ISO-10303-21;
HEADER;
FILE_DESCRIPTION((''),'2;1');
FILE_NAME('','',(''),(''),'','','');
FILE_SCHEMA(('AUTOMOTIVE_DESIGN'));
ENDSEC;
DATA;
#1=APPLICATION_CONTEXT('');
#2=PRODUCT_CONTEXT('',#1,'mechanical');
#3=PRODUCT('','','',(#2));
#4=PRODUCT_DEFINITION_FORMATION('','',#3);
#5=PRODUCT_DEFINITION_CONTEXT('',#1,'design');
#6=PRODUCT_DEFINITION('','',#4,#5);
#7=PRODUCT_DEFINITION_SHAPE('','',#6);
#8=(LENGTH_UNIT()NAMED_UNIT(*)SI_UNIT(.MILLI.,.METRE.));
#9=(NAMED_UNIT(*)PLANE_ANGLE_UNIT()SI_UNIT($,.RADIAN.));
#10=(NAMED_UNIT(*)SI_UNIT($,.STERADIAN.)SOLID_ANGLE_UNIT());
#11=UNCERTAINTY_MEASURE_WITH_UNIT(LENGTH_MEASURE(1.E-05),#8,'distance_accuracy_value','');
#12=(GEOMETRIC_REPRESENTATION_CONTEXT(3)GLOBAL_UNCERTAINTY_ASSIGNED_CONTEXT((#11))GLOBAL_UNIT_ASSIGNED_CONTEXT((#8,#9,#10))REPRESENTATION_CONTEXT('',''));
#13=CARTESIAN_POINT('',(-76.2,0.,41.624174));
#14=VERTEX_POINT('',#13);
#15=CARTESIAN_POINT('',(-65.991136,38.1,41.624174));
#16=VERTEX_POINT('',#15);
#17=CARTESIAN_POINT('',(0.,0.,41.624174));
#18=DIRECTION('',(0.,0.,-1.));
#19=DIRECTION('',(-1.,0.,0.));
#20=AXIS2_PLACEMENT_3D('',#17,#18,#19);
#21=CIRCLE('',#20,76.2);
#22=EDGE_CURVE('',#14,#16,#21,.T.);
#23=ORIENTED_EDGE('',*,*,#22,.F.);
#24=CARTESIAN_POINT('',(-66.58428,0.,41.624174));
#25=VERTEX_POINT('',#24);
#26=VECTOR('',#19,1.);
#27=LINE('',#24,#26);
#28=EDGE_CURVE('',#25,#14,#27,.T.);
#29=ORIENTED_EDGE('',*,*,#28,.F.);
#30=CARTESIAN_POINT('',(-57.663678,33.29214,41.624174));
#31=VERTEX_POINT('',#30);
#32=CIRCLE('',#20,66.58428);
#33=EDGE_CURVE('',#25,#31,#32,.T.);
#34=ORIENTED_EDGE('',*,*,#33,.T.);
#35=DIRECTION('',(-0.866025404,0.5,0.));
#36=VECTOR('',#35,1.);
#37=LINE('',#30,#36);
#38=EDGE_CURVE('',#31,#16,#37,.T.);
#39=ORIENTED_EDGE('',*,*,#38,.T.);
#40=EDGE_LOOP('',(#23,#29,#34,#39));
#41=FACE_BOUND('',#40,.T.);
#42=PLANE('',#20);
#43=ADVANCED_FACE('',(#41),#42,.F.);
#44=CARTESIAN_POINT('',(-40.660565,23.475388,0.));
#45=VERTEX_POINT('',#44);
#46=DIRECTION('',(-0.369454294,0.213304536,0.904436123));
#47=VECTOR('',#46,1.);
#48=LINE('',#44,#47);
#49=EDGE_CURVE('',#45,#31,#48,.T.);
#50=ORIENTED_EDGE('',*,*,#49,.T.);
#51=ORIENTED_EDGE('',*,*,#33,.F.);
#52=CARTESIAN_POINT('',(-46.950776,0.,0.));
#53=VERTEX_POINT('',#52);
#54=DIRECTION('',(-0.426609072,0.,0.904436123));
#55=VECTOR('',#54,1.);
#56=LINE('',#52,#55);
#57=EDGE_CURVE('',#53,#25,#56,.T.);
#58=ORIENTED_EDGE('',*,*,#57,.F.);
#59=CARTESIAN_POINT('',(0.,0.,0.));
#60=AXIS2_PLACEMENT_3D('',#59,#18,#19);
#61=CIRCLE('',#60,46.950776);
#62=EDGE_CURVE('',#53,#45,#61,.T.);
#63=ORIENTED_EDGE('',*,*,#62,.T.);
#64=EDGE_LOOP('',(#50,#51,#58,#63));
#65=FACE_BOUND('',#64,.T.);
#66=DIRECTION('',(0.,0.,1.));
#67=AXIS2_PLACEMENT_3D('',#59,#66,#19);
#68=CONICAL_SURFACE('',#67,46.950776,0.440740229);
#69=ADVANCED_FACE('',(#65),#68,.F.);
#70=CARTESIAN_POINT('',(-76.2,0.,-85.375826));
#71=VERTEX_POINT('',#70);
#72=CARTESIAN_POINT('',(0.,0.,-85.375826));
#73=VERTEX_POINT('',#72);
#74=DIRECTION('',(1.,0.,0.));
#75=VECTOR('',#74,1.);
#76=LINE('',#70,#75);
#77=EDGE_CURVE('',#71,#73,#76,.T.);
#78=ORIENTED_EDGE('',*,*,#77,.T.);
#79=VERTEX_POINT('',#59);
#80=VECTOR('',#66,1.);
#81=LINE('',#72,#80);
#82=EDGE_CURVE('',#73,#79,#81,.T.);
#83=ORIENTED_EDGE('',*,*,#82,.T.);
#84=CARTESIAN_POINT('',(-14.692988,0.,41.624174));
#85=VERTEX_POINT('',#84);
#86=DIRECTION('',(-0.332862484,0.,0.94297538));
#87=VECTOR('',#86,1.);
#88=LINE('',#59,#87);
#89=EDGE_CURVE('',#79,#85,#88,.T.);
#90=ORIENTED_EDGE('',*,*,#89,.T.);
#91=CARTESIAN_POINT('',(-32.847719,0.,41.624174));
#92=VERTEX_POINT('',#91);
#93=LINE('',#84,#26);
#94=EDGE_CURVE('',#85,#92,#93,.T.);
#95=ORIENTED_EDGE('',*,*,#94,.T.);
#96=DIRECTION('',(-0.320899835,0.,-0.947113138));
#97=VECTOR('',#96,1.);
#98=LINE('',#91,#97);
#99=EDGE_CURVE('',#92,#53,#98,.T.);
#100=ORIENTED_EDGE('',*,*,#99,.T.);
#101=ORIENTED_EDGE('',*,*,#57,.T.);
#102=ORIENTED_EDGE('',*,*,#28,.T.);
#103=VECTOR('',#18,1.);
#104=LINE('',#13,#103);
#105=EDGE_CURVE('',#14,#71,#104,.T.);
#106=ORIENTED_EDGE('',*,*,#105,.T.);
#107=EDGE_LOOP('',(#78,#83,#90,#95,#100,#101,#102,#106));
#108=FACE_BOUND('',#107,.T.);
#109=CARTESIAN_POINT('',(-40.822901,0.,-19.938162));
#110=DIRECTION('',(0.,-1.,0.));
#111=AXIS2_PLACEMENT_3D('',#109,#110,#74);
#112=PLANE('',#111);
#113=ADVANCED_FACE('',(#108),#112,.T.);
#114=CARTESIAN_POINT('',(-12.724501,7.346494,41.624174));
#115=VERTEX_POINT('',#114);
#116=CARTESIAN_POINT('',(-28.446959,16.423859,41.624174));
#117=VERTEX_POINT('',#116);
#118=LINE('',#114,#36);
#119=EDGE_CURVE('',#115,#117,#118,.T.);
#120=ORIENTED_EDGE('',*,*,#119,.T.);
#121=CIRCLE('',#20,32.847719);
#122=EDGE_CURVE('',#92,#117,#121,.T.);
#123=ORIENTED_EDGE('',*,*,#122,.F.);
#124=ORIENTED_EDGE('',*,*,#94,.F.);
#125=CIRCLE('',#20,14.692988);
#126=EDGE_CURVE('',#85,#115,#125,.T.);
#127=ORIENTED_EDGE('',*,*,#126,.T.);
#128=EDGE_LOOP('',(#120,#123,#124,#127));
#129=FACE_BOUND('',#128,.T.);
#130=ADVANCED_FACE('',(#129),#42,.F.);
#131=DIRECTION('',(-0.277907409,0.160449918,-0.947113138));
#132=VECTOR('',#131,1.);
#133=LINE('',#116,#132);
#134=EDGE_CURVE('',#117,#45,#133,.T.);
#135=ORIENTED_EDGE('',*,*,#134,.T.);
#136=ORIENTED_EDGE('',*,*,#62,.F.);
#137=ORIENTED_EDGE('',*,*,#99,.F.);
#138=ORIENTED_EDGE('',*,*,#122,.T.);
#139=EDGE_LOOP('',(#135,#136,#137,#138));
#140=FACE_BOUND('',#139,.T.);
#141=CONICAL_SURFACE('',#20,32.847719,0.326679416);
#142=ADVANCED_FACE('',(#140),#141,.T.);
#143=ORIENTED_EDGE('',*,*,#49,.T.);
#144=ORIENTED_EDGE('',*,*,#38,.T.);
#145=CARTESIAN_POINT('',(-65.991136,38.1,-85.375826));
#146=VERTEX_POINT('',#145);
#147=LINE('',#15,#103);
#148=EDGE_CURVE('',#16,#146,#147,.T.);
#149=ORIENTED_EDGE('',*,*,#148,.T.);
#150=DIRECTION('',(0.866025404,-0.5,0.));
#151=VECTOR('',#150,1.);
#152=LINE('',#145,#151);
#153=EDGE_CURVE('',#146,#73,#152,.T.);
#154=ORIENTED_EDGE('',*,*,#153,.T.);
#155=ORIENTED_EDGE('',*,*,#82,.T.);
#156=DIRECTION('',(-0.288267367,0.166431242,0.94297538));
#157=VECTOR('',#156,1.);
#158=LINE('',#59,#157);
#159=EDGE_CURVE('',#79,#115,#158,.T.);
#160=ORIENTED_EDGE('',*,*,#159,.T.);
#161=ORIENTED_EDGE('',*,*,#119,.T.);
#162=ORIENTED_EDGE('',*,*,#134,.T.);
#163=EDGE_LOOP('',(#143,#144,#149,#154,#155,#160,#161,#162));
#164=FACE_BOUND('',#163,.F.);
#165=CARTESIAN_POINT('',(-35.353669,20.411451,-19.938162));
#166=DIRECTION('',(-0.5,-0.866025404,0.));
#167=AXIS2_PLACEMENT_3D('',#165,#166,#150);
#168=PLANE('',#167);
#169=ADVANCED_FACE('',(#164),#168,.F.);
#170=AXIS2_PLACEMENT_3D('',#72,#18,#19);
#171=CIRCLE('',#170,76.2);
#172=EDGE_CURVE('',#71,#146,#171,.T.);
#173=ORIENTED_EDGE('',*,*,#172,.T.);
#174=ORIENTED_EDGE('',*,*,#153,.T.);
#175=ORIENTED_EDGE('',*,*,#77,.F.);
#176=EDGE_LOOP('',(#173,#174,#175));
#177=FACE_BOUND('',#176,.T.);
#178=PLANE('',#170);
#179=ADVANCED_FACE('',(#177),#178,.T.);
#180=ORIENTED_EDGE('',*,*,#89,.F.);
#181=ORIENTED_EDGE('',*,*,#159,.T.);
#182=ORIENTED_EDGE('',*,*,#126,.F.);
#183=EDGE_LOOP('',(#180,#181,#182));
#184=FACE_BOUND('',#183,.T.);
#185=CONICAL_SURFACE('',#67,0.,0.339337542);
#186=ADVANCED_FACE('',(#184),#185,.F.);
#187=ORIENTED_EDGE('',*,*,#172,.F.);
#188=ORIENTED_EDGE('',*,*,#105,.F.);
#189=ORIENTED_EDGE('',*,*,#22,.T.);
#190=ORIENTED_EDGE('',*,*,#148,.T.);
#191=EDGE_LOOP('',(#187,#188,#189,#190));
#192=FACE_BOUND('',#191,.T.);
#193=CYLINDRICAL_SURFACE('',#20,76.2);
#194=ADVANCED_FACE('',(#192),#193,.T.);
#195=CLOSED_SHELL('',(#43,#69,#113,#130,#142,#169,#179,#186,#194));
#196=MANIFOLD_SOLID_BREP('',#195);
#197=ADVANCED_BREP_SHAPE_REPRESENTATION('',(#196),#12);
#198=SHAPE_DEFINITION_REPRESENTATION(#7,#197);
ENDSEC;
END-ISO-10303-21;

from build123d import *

# Parameters (mm, degrees)
F1_ANGLE = 30


with BuildPart() as f1:
    # F0 (on Front) → F1 (revolve)
    with BuildSketch(Plane.XZ):
        Polygon((0, -85.375826), (0, 0), (-14.692988, 41.624174), (-32.847719, 41.624174), (-46.950776, 0), (-66.58428, 41.624174), (-76.2, 41.624174), (-76.2, -85.375826), align=None)
    revolve(axis=Axis((0, 0, -21.875826), (0, 0, -1)), revolution_arc=F1_ANGLE)


solid = f1.part
